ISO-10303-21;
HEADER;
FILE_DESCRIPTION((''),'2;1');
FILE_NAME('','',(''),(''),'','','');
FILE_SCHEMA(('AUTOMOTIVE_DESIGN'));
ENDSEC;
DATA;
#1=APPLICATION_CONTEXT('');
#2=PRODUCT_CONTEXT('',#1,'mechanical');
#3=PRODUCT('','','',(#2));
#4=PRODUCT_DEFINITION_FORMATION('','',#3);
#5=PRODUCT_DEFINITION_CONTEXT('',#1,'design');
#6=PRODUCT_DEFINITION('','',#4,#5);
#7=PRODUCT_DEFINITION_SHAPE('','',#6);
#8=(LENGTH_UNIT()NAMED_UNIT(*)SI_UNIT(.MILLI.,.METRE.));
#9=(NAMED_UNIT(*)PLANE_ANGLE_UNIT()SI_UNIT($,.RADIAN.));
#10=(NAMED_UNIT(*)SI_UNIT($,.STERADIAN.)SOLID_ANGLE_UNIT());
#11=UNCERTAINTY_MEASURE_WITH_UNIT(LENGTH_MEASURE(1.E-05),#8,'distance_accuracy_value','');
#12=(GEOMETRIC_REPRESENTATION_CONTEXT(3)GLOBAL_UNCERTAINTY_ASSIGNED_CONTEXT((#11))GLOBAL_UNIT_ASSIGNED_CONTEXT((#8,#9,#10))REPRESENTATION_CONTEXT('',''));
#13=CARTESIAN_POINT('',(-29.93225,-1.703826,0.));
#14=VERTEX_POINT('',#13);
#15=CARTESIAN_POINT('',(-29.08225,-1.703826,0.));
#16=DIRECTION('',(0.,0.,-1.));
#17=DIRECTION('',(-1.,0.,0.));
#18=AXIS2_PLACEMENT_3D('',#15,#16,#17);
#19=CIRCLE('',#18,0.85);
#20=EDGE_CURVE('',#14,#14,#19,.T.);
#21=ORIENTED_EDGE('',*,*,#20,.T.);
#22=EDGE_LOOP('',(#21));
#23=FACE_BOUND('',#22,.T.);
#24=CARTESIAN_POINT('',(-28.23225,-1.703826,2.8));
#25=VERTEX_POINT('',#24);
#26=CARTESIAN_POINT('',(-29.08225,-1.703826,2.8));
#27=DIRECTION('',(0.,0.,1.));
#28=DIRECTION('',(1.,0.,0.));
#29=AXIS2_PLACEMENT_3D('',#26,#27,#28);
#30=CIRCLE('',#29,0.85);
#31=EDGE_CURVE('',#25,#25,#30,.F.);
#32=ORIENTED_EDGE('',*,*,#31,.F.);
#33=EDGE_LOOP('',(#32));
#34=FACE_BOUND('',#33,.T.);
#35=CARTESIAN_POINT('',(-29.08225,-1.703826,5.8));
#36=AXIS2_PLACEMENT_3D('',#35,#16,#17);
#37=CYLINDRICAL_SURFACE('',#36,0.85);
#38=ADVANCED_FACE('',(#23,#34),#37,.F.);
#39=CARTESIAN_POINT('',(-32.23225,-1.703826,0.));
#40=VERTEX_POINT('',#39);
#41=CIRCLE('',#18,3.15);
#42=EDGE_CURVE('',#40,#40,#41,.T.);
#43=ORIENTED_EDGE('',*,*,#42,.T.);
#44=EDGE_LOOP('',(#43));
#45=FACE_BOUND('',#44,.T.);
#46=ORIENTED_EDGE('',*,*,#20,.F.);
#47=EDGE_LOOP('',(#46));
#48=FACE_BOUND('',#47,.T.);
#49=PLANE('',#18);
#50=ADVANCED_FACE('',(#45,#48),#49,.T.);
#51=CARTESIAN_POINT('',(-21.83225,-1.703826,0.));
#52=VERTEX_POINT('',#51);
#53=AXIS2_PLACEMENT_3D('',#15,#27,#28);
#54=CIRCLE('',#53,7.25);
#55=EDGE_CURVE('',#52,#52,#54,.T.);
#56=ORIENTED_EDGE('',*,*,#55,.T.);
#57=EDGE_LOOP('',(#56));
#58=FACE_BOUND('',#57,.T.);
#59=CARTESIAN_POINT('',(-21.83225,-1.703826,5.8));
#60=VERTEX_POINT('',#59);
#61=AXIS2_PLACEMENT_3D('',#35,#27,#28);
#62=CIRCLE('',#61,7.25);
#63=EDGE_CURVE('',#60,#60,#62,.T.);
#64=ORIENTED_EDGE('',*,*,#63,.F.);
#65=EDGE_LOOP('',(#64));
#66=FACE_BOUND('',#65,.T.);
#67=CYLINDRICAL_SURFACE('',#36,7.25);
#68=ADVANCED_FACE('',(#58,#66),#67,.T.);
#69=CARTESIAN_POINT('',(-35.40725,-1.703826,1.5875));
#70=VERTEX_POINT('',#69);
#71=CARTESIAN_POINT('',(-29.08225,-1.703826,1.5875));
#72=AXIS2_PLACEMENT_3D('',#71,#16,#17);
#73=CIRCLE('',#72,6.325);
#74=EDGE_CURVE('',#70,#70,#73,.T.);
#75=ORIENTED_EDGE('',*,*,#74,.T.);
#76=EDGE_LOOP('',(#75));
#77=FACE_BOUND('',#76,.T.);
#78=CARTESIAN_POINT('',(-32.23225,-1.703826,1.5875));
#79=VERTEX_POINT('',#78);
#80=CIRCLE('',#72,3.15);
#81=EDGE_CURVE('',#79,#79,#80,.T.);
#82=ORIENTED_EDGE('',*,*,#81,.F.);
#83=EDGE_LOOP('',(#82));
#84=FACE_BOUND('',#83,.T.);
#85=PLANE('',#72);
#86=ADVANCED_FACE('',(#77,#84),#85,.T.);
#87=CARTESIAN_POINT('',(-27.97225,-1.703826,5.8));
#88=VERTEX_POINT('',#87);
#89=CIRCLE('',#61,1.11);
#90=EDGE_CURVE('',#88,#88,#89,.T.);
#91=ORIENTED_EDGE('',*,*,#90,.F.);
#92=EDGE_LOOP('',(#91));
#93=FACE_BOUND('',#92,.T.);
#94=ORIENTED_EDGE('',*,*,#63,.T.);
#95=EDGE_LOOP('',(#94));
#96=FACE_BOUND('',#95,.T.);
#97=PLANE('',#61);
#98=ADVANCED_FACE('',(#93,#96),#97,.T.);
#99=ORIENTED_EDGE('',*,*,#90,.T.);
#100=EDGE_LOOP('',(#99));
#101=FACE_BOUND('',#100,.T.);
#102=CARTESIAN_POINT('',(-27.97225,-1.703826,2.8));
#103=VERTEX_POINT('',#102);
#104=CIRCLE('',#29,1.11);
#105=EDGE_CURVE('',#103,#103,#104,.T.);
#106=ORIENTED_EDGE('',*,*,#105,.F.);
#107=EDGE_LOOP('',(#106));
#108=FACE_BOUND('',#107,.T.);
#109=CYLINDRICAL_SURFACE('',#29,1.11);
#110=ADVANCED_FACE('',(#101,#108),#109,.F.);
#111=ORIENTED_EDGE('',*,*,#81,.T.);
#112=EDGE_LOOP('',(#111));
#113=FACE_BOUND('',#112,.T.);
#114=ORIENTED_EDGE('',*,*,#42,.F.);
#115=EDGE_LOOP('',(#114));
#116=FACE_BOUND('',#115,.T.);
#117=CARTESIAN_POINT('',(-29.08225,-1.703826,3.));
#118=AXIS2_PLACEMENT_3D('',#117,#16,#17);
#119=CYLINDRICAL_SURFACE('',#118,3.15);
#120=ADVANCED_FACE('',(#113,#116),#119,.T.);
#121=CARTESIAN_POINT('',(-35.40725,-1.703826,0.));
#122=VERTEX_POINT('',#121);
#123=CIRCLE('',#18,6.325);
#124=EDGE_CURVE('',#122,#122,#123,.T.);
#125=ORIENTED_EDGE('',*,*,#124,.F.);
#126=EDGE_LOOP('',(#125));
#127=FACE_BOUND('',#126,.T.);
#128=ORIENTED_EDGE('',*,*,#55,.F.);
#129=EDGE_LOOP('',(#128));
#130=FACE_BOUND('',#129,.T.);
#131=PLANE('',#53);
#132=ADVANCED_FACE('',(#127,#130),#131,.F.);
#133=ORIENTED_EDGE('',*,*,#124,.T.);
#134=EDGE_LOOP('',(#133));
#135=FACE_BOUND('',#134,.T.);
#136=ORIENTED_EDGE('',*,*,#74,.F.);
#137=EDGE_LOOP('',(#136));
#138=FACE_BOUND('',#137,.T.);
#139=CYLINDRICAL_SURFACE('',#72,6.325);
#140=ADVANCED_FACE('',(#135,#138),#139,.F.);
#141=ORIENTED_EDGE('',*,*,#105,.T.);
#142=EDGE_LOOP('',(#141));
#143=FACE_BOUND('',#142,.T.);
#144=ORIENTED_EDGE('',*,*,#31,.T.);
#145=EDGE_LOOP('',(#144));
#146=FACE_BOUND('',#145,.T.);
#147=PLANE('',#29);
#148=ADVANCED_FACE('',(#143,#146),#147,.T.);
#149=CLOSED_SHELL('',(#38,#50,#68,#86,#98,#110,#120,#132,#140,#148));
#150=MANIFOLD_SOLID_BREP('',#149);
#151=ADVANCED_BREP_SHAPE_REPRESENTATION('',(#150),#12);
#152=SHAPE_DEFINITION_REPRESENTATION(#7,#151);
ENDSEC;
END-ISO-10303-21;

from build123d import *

# Parameters (mm, degrees)
SKETCH1_R           = 7.25
BOSS_EXTRUDE1_DEPTH = 5.8
SKETCH2_R           = 6.325
CUT_EXTRUDE1_DEPTH  = 1.5875
SKETCH3_R           = 1
BOSS_EXTRUDE2_DEPTH = 1.5875
SKETCH4_R           = 3.15
BOSS_EXTRUDE3_DEPTH = 3
SKETCH5_R           = 0.85
CUT_EXTRUDE2_DEPTH  = 38.866125059
SKETCH6_R           = 1.11
CUT_EXTRUDE3_DEPTH  = 3


with BuildPart() as part:
    # Sketch1 → Boss-Extrude1 (new body)
    with BuildSketch(Plane.XY):
        with Locations((-29.082250471, -1.703826149)):
            Circle(SKETCH1_R)
    extrude(amount=BOSS_EXTRUDE1_DEPTH)

    # Sketch2 → Cut-Extrude1 (cut)
    with BuildSketch(Plane(origin=(0, 0, 0), x_dir=(-1, 0, 0), z_dir=(0, 0, -1))):
        with Locations((29.082250471, -1.703826149)):
            Circle(SKETCH2_R)
    extrude(amount=-CUT_EXTRUDE1_DEPTH, mode=Mode.SUBTRACT)

    # Sketch3 → Boss-Extrude2 (add)
    with BuildSketch(Plane(origin=(0, 0, 1.5875), x_dir=(-1, 0, 0), z_dir=(0, 0, -1))):
        with Locations((29.082250471, -1.703826149)):
            Circle(SKETCH3_R)
    extrude(amount=BOSS_EXTRUDE2_DEPTH)

    # Sketch4 → Boss-Extrude3 (add)
    with BuildSketch(Plane(origin=(0, 0, 0), x_dir=(-1, 0, 0), z_dir=(0, 0, -1))):
        with Locations((29.082250471, -1.703826149)):
            Circle(SKETCH4_R)
    extrude(amount=-BOSS_EXTRUDE3_DEPTH)

    # Sketch5 → Cut-Extrude2 (cut, through all)
    with BuildSketch(Plane(origin=(0, 0, 0), x_dir=(-1, 0, 0), z_dir=(0, 0, -1))):
        with Locations((29.082250471, -1.703826149)):
            Circle(SKETCH5_R)
    extrude(amount=-CUT_EXTRUDE2_DEPTH, mode=Mode.SUBTRACT)

    # Sketch6 → Cut-Extrude3 (cut)
    with BuildSketch(Plane.XY.offset(5.8)):
        with Locations((-29.082250471, -1.703826149)):
            Circle(SKETCH6_R)
    extrude(amount=-CUT_EXTRUDE3_DEPTH, mode=Mode.SUBTRACT)


solid = part.part
